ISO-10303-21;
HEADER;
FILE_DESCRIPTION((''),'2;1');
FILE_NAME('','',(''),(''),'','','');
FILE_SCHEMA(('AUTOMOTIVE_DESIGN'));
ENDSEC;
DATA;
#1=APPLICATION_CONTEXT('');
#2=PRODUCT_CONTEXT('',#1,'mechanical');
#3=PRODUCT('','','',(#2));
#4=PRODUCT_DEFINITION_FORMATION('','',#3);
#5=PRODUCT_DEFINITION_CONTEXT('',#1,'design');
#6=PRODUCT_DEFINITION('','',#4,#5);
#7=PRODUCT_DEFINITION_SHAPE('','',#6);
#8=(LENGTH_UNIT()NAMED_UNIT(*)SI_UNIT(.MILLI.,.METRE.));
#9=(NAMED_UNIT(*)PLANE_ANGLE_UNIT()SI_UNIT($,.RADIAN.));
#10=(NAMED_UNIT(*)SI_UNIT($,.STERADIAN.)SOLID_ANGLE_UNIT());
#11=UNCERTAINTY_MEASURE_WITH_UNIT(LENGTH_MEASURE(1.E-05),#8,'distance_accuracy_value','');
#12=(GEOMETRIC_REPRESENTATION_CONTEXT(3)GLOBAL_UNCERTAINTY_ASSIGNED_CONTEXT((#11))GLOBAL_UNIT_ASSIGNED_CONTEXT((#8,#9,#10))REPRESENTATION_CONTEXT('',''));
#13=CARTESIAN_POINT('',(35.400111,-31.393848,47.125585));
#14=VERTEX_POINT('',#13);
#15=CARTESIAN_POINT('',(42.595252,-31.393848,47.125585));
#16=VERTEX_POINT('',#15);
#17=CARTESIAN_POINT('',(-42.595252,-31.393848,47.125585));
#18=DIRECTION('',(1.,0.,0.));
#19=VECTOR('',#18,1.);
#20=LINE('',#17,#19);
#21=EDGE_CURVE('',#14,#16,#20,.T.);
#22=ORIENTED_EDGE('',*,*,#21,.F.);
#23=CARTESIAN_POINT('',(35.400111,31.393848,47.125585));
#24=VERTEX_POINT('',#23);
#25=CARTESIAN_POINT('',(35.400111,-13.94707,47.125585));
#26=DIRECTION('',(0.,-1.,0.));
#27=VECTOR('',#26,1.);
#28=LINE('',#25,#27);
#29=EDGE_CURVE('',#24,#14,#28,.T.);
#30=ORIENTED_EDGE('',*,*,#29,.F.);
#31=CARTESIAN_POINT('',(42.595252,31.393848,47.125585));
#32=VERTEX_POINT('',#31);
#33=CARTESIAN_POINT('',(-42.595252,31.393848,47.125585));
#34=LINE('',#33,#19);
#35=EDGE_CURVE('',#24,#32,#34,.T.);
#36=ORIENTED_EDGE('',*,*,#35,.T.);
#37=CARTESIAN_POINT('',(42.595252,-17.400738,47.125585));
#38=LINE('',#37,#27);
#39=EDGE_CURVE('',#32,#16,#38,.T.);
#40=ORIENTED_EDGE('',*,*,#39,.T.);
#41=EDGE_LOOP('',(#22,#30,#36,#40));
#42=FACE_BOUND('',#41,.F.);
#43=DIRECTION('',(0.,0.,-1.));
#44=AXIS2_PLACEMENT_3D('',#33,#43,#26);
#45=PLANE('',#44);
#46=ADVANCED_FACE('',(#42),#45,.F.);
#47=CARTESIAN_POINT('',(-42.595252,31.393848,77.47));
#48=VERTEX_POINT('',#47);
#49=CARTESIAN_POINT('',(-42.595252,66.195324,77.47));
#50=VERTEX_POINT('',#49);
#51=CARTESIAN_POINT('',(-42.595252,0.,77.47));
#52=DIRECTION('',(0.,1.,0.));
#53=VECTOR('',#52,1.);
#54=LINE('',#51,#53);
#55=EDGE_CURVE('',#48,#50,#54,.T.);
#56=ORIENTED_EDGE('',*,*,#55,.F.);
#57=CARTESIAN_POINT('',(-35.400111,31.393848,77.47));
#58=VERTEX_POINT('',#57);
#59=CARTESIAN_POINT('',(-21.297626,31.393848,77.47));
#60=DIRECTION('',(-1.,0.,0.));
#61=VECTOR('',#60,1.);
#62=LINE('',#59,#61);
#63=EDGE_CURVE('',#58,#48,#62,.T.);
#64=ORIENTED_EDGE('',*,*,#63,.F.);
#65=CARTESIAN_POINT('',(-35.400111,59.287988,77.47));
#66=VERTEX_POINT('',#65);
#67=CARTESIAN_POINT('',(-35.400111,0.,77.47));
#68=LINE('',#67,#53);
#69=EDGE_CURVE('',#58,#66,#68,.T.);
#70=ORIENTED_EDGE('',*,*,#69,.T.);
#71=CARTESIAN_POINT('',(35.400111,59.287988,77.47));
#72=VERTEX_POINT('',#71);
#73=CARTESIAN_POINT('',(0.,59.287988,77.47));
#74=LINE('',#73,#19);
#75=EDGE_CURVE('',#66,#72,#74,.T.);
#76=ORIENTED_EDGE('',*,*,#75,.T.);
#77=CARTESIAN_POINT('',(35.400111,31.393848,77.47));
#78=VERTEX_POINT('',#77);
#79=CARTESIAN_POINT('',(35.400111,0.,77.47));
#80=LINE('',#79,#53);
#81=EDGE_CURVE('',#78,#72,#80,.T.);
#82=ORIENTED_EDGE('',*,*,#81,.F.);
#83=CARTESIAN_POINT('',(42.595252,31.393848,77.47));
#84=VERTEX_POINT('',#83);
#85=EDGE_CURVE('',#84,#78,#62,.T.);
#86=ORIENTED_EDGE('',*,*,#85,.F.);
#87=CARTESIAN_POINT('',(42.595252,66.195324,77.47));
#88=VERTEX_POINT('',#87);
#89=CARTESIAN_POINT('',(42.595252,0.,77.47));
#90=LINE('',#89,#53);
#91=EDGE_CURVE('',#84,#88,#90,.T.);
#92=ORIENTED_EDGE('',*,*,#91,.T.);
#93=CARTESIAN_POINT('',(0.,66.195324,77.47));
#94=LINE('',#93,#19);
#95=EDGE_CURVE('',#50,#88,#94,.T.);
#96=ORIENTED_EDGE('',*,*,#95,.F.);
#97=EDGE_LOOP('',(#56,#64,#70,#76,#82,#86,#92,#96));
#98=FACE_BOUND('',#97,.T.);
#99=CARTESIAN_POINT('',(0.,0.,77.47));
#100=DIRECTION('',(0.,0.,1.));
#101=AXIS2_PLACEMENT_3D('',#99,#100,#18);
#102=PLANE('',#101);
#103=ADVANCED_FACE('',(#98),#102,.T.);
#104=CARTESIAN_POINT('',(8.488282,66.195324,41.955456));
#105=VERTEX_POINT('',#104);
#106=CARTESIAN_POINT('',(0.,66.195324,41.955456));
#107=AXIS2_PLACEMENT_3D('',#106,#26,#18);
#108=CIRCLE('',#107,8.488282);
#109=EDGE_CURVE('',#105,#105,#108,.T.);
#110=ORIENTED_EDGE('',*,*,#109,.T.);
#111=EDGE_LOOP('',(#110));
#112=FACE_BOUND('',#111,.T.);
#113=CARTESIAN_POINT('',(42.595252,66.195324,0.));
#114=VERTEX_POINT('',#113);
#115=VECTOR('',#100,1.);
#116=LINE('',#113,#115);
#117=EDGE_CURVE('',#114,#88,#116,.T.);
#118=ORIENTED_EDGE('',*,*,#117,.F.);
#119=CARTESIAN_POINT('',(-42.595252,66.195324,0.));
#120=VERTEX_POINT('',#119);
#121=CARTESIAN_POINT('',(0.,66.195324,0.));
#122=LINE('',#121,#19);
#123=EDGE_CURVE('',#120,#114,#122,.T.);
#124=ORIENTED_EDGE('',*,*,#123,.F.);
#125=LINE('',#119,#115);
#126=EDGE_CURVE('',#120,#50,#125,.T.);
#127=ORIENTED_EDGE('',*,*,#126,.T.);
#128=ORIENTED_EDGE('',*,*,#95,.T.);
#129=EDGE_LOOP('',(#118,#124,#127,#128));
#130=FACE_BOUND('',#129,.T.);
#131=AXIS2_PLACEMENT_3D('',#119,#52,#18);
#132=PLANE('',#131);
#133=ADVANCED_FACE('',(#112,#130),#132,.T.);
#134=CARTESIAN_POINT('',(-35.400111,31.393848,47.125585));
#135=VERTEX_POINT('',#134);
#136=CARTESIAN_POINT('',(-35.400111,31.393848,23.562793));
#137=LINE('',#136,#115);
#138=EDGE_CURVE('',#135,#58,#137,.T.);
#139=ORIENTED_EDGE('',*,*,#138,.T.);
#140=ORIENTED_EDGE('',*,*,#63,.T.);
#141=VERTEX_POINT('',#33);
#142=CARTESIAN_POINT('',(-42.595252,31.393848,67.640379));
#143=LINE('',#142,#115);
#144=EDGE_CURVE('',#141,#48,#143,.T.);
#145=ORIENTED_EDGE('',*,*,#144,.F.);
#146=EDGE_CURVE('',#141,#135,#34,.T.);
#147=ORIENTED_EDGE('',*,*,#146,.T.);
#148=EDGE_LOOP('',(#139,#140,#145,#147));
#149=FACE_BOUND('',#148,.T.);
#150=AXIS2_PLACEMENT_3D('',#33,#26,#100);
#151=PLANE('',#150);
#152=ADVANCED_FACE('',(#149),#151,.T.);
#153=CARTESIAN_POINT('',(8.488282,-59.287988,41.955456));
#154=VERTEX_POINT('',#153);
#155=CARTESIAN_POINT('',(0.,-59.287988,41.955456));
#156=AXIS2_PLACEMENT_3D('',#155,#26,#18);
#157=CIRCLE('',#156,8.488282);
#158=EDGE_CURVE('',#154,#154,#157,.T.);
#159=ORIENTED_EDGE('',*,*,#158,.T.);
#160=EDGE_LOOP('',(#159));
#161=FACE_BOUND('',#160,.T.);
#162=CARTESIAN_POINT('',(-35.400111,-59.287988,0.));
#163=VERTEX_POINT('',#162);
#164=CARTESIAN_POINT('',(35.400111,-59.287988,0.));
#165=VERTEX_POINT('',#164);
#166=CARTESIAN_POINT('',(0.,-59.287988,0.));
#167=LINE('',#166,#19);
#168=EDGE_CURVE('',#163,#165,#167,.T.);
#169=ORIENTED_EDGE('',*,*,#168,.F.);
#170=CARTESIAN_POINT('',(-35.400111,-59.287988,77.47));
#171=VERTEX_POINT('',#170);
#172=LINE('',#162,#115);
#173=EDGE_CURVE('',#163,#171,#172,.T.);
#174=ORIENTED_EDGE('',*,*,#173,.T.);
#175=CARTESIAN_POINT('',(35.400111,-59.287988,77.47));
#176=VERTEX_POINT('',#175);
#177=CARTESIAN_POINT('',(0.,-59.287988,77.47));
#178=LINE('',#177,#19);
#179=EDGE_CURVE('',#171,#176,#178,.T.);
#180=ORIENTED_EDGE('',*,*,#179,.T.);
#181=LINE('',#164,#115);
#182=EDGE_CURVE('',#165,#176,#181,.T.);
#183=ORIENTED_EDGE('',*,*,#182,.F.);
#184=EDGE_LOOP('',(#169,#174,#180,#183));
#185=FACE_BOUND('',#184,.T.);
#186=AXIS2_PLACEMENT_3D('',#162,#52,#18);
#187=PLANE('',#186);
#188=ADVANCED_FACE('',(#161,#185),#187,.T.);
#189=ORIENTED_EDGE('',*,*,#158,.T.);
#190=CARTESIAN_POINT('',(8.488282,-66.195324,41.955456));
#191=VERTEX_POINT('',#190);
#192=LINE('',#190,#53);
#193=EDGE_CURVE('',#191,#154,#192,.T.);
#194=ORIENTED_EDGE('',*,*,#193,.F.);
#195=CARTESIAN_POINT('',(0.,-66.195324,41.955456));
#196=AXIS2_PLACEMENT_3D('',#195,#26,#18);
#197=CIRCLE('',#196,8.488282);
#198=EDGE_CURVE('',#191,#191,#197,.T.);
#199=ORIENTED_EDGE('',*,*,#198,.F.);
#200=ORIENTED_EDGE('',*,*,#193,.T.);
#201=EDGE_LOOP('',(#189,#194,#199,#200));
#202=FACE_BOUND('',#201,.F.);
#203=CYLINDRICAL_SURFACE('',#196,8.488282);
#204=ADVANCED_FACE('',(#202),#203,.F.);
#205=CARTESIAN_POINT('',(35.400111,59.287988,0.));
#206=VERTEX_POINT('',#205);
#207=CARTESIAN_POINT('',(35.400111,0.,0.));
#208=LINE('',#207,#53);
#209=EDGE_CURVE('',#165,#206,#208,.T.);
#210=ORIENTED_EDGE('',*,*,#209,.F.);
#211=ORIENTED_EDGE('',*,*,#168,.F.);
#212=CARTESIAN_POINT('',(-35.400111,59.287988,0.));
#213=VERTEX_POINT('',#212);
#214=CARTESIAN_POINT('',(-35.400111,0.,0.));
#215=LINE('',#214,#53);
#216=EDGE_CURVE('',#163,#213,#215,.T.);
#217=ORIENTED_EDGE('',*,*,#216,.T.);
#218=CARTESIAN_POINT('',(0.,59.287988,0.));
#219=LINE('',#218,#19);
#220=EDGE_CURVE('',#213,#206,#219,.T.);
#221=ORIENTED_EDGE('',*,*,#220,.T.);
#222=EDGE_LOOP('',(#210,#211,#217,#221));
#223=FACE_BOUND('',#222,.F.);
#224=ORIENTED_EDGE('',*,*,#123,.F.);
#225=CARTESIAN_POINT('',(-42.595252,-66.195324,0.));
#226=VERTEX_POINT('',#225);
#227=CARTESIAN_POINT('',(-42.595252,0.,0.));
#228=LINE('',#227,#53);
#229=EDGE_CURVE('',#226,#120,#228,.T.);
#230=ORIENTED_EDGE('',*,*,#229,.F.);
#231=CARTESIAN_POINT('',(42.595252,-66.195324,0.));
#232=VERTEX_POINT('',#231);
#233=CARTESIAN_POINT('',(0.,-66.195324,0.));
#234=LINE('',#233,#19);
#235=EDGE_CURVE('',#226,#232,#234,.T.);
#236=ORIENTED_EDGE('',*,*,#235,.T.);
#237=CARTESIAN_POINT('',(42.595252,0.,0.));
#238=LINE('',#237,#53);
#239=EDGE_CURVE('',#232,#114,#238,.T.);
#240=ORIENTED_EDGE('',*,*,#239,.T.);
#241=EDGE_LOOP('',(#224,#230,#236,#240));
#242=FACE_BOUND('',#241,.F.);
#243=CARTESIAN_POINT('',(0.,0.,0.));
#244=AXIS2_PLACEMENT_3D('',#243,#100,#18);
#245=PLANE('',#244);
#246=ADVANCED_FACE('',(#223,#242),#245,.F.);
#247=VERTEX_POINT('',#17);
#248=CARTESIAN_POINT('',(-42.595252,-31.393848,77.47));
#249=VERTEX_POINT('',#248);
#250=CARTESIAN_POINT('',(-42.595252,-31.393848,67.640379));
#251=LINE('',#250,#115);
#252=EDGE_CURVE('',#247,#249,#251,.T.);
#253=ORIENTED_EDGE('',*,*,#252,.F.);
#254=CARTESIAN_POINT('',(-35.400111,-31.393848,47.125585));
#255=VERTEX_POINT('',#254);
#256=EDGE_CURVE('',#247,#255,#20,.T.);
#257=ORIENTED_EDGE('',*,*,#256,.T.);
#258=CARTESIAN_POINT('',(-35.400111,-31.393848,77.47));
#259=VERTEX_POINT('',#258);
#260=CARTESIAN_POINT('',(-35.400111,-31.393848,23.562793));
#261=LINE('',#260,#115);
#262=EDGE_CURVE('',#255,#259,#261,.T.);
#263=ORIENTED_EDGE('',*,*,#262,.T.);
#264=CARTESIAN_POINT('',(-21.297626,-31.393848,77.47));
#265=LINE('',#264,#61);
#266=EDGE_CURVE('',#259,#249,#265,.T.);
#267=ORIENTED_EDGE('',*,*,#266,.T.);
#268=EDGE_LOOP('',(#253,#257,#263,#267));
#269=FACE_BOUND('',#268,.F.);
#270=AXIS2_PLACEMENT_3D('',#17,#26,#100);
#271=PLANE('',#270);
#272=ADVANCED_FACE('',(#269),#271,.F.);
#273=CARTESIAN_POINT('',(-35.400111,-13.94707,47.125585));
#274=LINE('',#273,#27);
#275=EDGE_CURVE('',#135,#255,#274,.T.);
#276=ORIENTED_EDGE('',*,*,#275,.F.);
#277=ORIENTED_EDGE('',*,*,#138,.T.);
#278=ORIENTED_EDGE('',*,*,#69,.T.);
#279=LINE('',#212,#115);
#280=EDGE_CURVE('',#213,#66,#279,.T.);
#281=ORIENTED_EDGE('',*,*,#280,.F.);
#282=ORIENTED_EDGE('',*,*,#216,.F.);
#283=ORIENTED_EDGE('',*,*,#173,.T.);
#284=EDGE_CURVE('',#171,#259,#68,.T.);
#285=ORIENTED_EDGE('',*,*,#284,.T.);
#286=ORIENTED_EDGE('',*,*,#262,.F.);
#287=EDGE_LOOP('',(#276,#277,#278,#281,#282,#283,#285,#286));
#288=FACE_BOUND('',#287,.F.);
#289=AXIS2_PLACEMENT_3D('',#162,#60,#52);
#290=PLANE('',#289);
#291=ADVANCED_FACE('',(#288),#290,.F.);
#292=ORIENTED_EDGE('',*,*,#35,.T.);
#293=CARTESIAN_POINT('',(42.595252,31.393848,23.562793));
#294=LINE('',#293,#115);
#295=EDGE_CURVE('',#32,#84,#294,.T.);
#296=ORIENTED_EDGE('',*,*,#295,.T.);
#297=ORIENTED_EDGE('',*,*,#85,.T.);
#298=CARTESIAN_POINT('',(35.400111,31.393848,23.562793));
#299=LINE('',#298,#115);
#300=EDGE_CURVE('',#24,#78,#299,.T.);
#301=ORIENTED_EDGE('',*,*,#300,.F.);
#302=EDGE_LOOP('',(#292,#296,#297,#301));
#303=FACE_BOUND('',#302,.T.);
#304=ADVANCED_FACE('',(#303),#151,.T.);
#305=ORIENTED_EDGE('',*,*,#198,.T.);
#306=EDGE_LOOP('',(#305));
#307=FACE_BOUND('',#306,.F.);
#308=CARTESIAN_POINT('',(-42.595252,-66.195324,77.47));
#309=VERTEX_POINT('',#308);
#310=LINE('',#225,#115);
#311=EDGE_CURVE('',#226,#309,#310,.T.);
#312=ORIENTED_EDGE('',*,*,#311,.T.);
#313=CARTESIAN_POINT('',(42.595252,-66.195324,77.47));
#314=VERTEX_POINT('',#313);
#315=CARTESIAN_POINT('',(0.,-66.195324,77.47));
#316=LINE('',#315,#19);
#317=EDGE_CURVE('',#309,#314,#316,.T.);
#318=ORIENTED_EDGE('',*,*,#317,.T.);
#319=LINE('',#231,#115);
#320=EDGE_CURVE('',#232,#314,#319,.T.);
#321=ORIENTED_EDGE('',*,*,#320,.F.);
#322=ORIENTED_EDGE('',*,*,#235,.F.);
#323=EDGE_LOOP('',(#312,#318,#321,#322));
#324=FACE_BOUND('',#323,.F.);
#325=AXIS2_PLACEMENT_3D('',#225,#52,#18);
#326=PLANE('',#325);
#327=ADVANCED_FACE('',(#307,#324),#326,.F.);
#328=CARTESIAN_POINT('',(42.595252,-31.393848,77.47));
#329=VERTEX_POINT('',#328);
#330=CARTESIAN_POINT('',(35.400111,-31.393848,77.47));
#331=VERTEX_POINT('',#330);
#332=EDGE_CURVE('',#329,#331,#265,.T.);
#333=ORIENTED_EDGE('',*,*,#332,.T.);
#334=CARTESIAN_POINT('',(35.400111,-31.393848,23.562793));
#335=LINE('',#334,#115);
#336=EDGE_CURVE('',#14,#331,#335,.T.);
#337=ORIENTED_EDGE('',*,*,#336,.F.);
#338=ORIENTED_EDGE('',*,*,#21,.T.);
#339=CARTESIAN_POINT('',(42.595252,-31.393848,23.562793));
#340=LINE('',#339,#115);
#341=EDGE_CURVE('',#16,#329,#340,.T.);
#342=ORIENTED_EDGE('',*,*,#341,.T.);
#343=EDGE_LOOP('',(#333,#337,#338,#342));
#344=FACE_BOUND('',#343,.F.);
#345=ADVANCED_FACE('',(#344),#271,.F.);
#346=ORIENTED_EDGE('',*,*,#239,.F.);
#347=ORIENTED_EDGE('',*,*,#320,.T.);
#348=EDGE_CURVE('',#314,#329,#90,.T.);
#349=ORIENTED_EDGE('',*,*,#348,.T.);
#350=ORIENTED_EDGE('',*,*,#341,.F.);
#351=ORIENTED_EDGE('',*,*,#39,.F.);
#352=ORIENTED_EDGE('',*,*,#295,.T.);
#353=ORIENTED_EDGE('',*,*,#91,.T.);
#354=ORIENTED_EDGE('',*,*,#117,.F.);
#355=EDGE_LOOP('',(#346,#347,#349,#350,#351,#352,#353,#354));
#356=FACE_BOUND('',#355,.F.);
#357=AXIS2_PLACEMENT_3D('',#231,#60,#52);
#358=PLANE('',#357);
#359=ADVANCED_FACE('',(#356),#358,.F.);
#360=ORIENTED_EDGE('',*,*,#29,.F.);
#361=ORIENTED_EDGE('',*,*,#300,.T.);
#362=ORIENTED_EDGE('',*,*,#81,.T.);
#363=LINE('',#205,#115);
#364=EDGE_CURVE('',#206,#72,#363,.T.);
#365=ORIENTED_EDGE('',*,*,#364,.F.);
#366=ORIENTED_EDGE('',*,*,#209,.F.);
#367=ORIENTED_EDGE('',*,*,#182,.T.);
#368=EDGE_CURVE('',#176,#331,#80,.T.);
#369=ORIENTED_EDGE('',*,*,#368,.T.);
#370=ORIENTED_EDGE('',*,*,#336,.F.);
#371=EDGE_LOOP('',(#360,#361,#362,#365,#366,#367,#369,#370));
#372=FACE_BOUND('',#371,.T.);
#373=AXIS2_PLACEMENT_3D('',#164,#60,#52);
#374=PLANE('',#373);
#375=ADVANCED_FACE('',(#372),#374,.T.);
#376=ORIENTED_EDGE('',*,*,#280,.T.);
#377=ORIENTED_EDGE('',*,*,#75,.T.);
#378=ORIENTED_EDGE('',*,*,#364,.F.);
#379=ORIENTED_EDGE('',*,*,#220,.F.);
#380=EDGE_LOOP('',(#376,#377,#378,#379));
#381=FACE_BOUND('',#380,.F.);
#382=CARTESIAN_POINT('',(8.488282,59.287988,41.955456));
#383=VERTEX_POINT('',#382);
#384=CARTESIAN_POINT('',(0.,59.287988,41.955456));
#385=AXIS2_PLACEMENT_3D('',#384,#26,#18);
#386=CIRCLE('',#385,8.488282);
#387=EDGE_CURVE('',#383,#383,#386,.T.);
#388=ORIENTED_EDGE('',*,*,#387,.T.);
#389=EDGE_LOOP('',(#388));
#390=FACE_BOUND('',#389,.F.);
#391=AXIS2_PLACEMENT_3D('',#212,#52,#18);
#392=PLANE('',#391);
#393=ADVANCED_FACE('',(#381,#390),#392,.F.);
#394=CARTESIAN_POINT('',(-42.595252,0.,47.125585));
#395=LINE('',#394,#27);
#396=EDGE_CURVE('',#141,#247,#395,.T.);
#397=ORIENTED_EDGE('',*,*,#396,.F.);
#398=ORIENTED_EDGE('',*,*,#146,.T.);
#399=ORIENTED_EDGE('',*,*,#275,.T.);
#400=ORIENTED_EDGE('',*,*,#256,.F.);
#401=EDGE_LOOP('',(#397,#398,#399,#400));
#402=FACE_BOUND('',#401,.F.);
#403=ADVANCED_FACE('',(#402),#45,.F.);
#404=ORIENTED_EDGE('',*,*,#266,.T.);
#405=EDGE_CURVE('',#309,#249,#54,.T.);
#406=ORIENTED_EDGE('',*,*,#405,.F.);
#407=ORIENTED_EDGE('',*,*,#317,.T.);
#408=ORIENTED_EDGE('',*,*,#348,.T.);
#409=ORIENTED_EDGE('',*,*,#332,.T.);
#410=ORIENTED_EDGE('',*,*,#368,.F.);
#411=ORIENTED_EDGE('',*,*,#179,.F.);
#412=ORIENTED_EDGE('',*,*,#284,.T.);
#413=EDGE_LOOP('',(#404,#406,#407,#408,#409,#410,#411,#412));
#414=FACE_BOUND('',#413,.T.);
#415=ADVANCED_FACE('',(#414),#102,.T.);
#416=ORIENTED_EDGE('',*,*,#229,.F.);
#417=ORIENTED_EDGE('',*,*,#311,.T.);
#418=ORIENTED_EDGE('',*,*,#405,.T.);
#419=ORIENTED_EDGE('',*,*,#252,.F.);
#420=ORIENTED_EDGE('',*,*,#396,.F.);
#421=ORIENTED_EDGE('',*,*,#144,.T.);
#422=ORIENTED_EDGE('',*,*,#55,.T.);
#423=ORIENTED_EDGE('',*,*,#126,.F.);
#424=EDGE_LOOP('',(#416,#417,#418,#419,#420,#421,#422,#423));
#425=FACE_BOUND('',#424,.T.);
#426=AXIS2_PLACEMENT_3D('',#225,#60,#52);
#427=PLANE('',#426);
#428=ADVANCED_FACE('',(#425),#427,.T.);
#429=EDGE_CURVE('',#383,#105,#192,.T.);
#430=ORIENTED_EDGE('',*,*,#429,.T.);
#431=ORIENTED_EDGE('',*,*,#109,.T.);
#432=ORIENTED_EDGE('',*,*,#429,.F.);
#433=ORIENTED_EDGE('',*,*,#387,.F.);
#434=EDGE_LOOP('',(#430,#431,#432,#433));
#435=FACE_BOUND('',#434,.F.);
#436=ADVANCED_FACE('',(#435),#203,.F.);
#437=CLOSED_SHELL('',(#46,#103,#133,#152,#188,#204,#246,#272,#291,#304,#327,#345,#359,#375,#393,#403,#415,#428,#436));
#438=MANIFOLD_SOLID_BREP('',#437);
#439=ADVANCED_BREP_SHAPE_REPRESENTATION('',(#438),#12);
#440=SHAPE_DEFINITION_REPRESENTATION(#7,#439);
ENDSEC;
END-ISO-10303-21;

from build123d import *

# Parameters (mm, degrees)
F0_W     = 85.1905047894
F0_H     = 132.3906481266
F0_W_2   = 70.8002224565
F0_H_2   = 118.5759752989
F1_DEPTH = 88.392
F2_W     = 62.7876967192
F2_H     = 41.029587388
F3_DEPTH = 85.1915047894
F4_DEPTH = 10.922
F5_R     = 8.4882818578
F6_DEPTH = 132.3916481266


with BuildPart() as f1:
    # F0 (on Top) → F1 (new body)
    with BuildSketch(Plane.XY):
        Rectangle(F0_W, F0_H)
        Rectangle(F0_W_2, F0_H_2, mode=Mode.SUBTRACT)
    extrude(amount=F1_DEPTH)

    # F2 (on face) → F3 (cut, through all)
    with BuildSketch(Plane(origin=(-42.5952523947, 0, 0), x_dir=(0, -1, 0), z_dir=(-1, 0, 0))):
        with Locations((0, 67.6403790712)):
            Rectangle(F2_W, F2_H)
    extrude(amount=-F3_DEPTH, mode=Mode.SUBTRACT)

    # F4 (cut): a face of the model
    f4_faces = [f1.faces().sort_by_distance(p)[0] for p in [
        (0, -64.6210081542, 88.392),
    ]]
    extrude(f4_faces, amount=-F4_DEPTH, mode=Mode.SUBTRACT)

    # F5 (on face) → F6 (cut, through all)
    with BuildSketch(Plane.XZ.offset(66.1953240633)):
        with Locations((0, 41.9554561377)):
            Circle(F5_R)
    extrude(amount=-F6_DEPTH, mode=Mode.SUBTRACT)


solid = f1.part
